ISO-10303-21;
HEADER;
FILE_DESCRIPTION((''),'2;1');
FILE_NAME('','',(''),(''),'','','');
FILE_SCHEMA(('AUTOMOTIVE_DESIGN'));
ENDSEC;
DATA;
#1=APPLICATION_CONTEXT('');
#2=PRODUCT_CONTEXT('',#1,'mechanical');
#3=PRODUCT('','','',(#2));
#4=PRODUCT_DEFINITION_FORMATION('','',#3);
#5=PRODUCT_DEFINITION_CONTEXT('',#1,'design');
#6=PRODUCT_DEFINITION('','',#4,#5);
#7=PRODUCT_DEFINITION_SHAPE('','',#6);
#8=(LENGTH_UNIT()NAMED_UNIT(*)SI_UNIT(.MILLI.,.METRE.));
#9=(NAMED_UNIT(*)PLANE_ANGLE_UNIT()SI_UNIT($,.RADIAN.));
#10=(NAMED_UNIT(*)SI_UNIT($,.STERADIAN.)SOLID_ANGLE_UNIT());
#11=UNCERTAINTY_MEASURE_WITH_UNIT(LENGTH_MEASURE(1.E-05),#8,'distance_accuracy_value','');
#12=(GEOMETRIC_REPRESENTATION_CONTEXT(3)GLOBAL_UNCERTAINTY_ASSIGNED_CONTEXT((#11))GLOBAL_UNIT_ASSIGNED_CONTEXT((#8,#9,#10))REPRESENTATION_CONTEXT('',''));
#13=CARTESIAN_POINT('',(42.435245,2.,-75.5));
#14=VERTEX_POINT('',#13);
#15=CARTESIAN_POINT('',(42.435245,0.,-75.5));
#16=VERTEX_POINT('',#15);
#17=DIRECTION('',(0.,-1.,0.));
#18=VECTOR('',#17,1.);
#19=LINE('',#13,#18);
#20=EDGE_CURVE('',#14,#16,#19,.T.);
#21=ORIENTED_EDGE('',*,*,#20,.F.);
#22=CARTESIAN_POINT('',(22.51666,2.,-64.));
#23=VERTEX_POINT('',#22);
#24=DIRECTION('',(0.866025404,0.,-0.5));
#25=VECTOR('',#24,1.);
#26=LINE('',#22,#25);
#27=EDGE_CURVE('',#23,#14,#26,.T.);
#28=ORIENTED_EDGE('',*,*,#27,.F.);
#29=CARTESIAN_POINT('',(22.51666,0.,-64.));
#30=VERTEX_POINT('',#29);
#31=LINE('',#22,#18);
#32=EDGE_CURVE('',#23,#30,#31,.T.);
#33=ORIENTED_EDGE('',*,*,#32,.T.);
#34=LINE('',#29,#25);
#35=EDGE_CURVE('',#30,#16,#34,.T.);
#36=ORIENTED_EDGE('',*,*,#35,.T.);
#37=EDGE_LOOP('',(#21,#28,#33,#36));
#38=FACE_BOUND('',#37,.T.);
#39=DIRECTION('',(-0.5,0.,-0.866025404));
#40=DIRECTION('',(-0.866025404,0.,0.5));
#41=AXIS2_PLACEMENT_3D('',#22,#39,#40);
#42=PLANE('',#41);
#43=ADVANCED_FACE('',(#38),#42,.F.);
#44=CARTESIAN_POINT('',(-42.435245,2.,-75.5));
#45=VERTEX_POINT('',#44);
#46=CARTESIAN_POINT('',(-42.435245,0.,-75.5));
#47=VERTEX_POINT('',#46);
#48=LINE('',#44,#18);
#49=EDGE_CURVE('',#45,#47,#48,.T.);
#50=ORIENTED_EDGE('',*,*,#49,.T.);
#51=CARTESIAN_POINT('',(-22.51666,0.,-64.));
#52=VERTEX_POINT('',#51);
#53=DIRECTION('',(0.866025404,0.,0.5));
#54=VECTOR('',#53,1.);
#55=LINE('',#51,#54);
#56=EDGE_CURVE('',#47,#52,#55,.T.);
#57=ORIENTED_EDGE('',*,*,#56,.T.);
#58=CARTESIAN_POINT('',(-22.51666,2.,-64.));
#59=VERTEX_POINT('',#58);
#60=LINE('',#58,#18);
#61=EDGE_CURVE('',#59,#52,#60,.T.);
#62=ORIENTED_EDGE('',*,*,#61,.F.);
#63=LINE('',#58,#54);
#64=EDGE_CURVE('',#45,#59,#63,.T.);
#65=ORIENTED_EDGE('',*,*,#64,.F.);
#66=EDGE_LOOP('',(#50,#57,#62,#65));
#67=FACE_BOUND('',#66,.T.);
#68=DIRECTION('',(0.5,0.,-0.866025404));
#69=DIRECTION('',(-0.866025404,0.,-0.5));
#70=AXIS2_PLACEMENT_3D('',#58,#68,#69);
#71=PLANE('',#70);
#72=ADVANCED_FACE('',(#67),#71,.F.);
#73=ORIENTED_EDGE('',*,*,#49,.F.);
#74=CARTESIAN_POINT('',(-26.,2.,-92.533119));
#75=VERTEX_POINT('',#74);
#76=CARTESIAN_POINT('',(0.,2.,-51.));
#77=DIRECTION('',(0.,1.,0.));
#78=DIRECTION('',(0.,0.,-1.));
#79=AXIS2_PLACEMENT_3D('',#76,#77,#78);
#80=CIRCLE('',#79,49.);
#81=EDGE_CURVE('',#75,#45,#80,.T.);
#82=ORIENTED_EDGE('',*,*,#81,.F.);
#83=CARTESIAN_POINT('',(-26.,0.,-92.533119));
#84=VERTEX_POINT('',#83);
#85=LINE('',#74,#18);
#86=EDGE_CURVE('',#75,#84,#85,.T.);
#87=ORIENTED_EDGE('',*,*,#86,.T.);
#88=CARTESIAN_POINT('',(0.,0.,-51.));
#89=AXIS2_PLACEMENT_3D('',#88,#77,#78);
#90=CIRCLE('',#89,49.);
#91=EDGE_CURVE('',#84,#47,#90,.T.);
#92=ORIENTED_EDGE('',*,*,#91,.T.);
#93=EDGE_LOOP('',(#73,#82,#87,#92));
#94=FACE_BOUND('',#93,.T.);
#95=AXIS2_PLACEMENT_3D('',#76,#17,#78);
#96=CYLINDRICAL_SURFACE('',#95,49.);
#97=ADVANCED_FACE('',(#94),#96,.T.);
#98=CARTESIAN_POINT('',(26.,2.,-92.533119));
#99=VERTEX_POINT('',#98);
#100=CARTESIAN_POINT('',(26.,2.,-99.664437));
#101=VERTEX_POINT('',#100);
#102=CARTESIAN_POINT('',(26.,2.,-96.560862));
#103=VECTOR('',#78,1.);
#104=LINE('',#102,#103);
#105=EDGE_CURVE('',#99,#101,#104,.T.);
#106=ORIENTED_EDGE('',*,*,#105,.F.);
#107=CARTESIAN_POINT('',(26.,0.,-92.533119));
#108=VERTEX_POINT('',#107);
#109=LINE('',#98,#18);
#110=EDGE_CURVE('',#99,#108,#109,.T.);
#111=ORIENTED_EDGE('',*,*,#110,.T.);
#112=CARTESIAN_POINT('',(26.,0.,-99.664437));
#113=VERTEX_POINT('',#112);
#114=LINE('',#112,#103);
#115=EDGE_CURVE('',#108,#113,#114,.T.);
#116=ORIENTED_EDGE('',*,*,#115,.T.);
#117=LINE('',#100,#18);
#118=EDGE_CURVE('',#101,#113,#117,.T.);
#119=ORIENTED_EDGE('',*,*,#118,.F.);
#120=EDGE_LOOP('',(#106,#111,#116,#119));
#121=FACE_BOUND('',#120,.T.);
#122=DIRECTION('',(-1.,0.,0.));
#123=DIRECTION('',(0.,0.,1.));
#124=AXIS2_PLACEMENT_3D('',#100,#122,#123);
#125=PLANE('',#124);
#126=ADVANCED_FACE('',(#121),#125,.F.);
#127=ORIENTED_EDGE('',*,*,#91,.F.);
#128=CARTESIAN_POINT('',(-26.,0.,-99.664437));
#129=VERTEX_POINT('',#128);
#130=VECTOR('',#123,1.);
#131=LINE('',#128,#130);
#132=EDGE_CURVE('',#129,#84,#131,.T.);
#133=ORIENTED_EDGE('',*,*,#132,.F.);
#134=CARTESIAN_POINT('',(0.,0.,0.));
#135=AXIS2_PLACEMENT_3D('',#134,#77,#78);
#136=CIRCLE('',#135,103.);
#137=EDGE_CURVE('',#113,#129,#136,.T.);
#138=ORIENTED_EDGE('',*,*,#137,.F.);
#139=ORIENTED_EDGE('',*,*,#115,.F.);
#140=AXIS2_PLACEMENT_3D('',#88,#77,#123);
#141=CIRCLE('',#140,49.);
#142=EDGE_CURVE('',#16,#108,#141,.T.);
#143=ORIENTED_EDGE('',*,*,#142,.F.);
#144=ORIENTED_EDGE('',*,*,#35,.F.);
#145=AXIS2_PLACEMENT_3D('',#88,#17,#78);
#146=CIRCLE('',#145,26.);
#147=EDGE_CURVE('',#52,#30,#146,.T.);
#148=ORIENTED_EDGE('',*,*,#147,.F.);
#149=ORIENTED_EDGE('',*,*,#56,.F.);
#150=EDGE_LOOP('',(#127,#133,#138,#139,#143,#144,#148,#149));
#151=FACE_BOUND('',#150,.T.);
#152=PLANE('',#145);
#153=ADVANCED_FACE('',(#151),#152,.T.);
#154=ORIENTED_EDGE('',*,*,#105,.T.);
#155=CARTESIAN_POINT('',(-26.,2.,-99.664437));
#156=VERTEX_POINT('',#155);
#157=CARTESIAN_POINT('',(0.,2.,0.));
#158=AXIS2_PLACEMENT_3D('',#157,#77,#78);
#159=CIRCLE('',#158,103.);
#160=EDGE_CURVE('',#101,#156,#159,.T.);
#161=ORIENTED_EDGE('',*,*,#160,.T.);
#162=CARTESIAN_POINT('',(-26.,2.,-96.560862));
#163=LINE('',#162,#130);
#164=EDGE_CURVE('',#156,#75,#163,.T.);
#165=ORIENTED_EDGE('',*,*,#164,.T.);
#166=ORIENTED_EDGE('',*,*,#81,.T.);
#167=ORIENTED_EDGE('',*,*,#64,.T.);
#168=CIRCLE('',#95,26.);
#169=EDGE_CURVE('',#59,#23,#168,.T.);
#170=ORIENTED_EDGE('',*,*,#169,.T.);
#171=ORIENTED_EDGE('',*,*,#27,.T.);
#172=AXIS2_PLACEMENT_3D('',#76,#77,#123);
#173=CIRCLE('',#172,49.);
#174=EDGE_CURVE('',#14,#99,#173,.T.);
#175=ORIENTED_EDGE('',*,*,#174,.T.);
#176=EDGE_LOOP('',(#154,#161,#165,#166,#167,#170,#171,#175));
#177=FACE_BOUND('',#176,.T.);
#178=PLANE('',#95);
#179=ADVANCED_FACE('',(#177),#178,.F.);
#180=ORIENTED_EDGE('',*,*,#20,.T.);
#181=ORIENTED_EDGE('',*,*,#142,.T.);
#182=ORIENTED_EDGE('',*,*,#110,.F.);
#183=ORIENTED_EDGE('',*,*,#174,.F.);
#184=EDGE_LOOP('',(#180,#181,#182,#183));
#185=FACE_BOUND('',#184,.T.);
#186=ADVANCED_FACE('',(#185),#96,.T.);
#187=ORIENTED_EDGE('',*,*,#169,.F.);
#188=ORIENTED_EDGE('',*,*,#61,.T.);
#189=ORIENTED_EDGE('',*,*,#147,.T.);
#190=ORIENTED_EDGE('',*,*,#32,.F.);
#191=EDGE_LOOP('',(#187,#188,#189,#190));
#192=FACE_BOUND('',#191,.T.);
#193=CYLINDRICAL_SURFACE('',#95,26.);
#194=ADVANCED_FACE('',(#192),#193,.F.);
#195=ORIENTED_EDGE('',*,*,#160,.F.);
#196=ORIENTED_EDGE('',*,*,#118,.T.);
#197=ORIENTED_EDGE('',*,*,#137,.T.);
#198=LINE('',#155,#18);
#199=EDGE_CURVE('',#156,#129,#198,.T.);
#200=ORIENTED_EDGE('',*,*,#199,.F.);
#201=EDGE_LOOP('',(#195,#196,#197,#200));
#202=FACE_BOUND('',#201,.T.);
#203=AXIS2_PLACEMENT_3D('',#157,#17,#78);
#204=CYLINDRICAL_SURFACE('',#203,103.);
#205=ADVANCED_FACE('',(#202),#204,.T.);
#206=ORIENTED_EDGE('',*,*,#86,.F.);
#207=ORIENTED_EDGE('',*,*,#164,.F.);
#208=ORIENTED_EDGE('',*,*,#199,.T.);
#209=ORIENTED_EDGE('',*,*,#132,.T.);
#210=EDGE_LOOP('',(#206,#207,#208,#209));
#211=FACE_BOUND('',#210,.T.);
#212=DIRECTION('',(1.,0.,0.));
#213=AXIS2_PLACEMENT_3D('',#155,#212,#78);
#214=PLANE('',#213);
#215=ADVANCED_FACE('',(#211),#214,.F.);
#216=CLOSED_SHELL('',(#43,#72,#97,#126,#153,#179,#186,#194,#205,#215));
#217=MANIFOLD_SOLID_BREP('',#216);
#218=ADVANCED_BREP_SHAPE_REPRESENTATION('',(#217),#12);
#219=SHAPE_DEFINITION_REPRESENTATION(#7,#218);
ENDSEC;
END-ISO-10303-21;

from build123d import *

# Parameters (mm, degrees)
EXTRUDE_1_DEPTH = 2


with BuildPart() as part:
    # 草图1 → 凸台-拉伸1 (new body)
    with BuildSketch(Plane(origin=(0, 0, 0), x_dir=(1, 0, 0), z_dir=(0, 1, 0))):
        with BuildLine():
            Line((-26, 99.664436987), (-26, 96.560861637))
            Line((-26, 96.560861637), (-26, 92.533119315))
            ThreePointArc((-26, 92.533119315), (-35.261557972, 85.02385236), (-42.435244785, 75.5))
            Line((-42.435244785, 75.5), (-22.516660498, 64))
            ThreePointArc((-22.516660498, 64), (0, 77), (22.516660498, 64))
            Line((22.516660498, 64), (42.435244785, 75.5))
            ThreePointArc((42.435244785, 75.5), (35.261557972, 85.02385236), (26, 92.533119315))
            Line((26, 92.533119315), (26, 96.560861637))
            Line((26, 96.560861637), (26, 99.664436987))
            ThreePointArc((26, 99.664436987), (0, 103), (-26, 99.664436987))
        make_face()
    extrude(amount=EXTRUDE_1_DEPTH)


solid = part.part
